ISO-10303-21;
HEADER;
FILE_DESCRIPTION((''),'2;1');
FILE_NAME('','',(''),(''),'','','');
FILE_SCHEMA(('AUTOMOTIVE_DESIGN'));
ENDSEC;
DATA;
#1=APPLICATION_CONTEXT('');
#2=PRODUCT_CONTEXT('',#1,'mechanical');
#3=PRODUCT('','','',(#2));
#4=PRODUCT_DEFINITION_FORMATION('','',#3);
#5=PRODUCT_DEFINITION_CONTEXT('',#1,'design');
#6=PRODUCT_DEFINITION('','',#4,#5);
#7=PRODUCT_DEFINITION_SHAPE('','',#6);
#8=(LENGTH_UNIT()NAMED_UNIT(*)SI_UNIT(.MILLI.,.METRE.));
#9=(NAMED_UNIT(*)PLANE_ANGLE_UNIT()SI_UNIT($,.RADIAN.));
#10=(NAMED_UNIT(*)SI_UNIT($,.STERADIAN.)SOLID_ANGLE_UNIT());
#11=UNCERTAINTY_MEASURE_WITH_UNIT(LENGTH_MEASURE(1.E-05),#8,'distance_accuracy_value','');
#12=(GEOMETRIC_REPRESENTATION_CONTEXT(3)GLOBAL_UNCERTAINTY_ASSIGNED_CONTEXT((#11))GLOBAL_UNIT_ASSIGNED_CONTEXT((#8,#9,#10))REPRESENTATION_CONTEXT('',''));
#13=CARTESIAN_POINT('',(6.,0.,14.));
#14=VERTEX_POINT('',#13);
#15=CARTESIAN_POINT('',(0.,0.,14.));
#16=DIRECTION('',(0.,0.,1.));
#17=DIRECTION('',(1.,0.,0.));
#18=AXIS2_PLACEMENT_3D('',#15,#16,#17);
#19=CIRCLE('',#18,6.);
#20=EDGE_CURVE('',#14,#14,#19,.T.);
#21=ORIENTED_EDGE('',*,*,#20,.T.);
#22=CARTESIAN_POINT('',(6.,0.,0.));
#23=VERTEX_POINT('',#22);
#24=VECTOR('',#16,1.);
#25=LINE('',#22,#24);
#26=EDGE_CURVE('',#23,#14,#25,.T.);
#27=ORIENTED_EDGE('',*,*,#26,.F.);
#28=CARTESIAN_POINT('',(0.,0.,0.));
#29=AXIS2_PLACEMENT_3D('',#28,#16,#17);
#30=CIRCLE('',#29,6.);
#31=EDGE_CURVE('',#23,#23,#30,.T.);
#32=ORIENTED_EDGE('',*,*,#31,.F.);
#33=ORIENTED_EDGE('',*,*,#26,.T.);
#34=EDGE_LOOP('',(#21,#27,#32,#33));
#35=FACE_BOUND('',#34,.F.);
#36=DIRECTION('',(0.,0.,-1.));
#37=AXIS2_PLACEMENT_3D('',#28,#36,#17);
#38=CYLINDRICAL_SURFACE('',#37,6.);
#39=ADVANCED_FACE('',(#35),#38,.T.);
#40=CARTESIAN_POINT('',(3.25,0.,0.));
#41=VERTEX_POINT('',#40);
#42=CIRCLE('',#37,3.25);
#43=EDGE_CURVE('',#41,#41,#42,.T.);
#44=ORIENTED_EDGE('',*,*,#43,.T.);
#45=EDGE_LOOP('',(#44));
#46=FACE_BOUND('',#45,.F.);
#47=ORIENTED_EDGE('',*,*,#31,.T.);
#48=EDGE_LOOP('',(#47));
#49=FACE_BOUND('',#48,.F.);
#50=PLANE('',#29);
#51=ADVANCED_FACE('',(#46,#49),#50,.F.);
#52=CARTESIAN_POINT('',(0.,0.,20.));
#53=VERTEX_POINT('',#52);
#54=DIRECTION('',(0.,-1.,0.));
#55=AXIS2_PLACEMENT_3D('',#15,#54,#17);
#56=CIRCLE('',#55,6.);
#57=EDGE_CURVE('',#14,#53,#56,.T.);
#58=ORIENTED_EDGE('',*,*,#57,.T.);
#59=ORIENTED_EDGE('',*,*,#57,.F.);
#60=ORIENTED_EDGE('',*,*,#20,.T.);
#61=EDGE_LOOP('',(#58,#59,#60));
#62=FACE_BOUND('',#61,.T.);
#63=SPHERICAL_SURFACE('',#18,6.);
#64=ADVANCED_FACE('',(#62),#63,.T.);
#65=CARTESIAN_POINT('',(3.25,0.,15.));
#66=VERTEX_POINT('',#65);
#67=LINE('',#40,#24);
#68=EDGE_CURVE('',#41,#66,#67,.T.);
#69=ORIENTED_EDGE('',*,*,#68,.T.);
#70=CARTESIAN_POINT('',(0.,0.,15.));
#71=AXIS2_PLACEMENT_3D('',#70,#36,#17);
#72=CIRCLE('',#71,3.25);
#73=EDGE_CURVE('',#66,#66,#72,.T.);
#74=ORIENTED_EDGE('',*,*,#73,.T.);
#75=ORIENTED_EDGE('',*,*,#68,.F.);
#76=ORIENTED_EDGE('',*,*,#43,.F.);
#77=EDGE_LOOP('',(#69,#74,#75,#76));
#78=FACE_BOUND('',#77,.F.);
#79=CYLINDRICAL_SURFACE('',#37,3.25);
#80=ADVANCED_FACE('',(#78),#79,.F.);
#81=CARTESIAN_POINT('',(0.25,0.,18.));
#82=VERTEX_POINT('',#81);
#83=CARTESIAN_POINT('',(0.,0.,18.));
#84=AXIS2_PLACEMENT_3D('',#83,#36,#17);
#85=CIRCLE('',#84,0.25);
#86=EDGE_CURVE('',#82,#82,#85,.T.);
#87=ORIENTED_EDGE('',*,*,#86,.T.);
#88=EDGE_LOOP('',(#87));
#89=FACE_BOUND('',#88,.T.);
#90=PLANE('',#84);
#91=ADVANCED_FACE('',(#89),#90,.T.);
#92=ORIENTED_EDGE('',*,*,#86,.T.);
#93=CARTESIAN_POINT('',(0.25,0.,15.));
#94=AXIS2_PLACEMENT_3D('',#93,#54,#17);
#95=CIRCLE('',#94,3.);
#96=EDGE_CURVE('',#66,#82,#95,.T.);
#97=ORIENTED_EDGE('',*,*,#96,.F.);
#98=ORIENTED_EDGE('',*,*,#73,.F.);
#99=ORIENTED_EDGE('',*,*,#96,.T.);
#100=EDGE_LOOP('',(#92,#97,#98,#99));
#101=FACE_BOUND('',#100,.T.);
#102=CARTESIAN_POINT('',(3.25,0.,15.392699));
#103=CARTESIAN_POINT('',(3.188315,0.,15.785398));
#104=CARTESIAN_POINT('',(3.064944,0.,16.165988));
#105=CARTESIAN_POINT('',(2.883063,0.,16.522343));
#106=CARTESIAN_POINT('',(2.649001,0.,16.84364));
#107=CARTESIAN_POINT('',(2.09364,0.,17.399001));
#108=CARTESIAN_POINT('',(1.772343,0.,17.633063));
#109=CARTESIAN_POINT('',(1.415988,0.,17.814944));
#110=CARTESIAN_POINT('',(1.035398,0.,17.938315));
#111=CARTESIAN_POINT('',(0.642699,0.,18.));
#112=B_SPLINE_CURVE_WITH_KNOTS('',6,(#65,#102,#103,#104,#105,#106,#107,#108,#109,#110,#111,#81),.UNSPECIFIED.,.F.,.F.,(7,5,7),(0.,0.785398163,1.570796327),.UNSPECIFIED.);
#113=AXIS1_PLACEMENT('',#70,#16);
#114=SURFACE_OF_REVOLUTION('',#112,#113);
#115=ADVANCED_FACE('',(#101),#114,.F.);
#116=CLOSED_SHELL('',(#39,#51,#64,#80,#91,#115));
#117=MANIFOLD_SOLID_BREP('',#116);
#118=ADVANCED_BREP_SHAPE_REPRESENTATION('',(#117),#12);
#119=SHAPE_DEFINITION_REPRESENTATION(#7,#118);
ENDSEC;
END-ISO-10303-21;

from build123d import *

# Parameters (mm, degrees)
F0_R     = 6
F1_DEPTH = 20
F2_R     = 6
F3_R     = 3.25
F4_DEPTH = 18
F5_R     = 3


with BuildPart() as f1:
    # F0 (on Top) → F1 (new body)
    with BuildSketch(Plane.XY):
        Circle(F0_R)
    extrude(amount=F1_DEPTH)

    # F2
    f2_edges = [f1.edges().sort_by_distance(p)[0] for p in [
        (-6, 0, 20),
    ]]
    fillet(f2_edges, radius=F2_R)

    # F3 (on face) → F4 (cut)
    with BuildSketch(Plane(origin=(0, 0, 0), x_dir=(1, 0, 0), z_dir=(0, 0, -1))):
        Circle(F3_R)
    extrude(amount=-F4_DEPTH, mode=Mode.SUBTRACT)

    # F5
    f5_edges = [f1.edges().sort_by_distance(p)[0] for p in [
        (-3.25, 0, 18),
    ]]
    fillet(f5_edges, radius=F5_R)


solid = f1.part
